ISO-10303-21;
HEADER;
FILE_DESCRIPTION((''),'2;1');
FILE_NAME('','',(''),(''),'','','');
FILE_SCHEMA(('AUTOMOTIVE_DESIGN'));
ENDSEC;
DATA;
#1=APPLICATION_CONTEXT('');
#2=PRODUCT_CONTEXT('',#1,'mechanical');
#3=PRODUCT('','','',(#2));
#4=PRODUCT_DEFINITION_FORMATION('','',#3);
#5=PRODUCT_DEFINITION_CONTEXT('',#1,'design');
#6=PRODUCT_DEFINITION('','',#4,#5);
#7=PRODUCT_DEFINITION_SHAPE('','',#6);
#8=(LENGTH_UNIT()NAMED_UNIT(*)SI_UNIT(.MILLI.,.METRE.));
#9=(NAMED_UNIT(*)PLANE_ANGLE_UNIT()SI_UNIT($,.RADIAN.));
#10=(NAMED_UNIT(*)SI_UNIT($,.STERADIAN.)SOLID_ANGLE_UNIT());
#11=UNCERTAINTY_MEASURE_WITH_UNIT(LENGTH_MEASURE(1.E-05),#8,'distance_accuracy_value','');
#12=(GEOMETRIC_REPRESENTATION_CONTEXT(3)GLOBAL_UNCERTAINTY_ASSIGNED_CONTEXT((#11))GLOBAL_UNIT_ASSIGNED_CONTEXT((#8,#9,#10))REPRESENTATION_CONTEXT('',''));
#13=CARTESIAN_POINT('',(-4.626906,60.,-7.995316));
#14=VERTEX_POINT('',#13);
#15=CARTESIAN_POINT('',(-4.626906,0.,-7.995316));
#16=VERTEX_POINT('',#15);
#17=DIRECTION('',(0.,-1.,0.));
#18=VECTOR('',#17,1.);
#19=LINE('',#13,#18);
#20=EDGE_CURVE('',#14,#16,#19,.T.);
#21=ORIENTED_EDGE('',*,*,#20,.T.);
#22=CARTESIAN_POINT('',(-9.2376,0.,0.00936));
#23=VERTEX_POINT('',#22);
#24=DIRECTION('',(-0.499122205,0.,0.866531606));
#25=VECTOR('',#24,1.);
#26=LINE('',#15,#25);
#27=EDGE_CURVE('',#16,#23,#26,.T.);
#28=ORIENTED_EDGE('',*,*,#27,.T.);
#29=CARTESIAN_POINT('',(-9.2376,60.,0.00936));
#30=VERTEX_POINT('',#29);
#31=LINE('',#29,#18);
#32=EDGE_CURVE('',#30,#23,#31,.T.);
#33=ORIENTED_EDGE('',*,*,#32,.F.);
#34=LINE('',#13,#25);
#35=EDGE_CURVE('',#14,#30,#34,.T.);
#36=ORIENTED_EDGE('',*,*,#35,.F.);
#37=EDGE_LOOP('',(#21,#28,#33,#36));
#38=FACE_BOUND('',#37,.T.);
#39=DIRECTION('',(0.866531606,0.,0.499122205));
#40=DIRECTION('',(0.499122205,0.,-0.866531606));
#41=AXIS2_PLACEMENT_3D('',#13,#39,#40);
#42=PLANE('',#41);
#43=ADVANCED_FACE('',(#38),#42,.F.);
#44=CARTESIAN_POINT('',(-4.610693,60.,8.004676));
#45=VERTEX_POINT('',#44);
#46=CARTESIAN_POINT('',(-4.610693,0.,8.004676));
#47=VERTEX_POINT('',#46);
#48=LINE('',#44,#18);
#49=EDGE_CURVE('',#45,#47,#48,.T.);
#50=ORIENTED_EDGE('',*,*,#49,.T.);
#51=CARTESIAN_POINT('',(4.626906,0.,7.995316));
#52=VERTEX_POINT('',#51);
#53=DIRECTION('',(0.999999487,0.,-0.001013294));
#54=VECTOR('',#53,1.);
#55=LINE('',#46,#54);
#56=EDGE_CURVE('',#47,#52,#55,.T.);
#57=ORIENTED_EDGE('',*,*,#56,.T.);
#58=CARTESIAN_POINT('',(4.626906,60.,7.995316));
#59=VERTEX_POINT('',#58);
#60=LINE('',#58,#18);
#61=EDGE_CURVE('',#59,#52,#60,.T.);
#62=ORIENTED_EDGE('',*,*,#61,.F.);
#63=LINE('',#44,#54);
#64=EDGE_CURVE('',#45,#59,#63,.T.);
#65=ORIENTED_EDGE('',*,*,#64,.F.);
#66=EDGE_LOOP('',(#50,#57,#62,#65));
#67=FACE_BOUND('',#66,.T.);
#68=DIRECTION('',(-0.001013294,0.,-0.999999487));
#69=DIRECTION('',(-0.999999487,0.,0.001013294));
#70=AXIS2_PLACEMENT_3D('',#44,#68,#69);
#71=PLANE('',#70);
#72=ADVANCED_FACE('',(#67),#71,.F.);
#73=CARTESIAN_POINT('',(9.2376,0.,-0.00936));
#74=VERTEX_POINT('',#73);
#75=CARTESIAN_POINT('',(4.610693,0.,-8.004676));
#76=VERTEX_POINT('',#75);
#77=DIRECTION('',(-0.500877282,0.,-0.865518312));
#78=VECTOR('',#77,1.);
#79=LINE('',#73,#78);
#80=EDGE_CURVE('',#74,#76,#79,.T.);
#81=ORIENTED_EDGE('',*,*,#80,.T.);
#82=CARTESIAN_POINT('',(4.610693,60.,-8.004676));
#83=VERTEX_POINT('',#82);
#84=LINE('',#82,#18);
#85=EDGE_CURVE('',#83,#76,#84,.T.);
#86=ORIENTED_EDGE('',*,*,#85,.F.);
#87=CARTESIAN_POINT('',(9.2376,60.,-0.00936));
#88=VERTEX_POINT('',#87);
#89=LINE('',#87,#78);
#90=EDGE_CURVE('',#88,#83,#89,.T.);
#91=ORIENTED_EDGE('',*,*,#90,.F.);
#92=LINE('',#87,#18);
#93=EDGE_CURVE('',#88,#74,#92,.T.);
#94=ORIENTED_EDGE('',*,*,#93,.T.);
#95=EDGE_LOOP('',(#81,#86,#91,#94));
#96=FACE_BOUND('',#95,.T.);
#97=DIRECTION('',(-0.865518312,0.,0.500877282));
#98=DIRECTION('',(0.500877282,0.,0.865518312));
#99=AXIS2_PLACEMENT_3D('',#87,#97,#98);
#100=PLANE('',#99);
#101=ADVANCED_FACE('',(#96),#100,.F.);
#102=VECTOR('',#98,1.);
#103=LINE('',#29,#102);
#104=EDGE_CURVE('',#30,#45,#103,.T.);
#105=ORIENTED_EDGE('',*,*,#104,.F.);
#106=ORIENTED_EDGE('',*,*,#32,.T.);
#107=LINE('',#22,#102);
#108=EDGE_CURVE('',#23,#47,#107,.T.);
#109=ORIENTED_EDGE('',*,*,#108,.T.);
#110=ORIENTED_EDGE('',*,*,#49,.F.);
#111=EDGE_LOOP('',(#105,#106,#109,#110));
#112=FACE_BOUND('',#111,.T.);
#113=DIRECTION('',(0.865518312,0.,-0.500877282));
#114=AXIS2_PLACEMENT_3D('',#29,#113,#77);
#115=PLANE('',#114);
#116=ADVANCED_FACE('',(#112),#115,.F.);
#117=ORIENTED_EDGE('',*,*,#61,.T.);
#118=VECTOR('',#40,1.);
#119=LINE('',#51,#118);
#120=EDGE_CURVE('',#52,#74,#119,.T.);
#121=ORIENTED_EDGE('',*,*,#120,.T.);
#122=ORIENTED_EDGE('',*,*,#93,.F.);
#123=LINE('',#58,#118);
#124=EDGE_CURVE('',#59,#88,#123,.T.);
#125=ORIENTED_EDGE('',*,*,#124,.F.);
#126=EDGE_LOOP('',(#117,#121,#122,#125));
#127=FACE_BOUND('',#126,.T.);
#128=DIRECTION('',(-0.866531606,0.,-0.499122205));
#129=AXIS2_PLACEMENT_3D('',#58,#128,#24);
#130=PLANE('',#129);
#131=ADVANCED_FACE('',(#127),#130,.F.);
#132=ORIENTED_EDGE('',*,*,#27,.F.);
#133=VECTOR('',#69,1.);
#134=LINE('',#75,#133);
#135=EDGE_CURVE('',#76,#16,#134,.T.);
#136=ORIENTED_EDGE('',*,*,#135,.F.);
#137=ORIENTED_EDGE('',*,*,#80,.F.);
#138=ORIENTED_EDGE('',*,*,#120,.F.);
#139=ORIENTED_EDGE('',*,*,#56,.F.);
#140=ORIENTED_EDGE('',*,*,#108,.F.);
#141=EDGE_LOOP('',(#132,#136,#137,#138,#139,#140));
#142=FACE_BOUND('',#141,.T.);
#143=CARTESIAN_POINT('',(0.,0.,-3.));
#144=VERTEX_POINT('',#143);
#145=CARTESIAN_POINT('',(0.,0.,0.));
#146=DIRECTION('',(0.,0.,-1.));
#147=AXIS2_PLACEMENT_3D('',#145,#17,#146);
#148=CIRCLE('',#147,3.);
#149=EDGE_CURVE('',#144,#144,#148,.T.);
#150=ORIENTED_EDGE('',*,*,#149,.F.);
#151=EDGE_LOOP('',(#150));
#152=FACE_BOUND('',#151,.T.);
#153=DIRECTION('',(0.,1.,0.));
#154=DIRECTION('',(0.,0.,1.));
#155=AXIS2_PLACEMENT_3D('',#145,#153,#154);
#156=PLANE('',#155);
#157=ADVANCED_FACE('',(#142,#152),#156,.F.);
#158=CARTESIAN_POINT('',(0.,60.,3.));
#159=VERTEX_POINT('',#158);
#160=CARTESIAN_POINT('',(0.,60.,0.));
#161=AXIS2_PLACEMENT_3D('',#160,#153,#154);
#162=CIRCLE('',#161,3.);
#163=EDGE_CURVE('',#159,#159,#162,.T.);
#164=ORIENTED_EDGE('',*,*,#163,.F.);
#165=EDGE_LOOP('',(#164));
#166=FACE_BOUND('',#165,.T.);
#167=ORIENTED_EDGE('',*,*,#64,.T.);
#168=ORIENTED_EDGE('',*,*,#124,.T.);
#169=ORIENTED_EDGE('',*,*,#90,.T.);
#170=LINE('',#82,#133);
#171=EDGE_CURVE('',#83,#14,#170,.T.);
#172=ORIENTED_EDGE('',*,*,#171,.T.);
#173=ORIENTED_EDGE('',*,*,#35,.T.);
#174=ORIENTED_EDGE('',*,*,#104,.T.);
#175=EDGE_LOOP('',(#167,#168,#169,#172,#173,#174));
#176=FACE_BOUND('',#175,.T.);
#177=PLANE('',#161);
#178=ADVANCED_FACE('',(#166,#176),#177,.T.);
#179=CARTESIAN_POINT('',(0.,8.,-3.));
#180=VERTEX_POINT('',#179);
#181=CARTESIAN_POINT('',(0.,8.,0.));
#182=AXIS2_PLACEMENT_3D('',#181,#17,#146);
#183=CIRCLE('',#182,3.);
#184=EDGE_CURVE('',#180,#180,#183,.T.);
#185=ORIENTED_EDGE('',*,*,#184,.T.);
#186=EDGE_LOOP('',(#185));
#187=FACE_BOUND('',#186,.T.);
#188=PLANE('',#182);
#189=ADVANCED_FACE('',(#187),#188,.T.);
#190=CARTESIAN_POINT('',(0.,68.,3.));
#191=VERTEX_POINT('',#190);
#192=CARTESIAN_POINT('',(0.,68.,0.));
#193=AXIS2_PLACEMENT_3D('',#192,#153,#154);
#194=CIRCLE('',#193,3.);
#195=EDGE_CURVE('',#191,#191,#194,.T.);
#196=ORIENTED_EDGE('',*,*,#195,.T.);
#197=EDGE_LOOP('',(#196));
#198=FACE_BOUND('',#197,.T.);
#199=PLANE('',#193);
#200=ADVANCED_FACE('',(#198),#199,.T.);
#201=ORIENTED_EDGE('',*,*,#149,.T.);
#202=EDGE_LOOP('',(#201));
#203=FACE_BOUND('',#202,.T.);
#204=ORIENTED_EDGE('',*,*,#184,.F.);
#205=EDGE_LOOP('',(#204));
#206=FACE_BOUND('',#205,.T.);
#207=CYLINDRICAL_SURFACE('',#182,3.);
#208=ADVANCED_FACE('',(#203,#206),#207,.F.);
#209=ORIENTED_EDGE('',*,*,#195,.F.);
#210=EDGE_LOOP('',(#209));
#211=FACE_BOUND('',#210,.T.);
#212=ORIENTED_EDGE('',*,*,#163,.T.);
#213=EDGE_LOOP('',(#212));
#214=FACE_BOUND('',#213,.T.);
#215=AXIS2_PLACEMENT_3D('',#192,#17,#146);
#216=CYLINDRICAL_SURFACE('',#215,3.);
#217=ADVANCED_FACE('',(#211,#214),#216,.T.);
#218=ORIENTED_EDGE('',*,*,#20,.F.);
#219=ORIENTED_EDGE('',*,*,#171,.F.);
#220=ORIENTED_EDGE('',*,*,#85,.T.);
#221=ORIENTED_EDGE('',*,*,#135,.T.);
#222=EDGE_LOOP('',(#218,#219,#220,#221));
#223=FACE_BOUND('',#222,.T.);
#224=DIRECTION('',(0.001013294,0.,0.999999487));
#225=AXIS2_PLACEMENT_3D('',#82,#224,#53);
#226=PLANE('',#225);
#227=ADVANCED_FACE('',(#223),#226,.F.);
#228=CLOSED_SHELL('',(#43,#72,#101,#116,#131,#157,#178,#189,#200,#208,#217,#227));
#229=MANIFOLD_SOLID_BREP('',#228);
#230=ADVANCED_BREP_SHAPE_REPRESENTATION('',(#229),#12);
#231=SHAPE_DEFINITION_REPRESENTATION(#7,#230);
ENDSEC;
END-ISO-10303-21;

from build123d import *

# Parameters (mm, degrees)
EXTRUDE_1_DEPTH     = 60
SKETCH_2_R          = 3
EXTRUDE_2_DEPTH     = 8
SKETCH_3_R          = 3
CUT_EXTRUDE_1_DEPTH = 8


with BuildPart() as part:
    # 草图1 → 凸台-拉伸1 (new body)
    with BuildSketch(Plane(origin=(0, 0, 0), x_dir=(1, 0, 0), z_dir=(0, 1, 0))):
        Polygon((4.610693432, 8.004676097), (-4.626906133, 7.995315689), (-9.237599565, -0.009360407), (-4.610693432, -8.004676097), (4.626906133, -7.995315689), (9.237599565, 0.009360407), align=None)
    extrude(amount=EXTRUDE_1_DEPTH)

    # 草图2 → 凸台-拉伸2 (add)
    with BuildSketch(Plane(origin=(0, 60, 0), x_dir=(1, 0, 0), z_dir=(0, 1, 0))):
        Circle(SKETCH_2_R)
    extrude(amount=EXTRUDE_2_DEPTH)

    # 草图3 → 切除-拉伸1 (cut)
    with BuildSketch(Plane.XZ):
        Circle(SKETCH_3_R)
    extrude(amount=-CUT_EXTRUDE_1_DEPTH, mode=Mode.SUBTRACT)


solid = part.part
